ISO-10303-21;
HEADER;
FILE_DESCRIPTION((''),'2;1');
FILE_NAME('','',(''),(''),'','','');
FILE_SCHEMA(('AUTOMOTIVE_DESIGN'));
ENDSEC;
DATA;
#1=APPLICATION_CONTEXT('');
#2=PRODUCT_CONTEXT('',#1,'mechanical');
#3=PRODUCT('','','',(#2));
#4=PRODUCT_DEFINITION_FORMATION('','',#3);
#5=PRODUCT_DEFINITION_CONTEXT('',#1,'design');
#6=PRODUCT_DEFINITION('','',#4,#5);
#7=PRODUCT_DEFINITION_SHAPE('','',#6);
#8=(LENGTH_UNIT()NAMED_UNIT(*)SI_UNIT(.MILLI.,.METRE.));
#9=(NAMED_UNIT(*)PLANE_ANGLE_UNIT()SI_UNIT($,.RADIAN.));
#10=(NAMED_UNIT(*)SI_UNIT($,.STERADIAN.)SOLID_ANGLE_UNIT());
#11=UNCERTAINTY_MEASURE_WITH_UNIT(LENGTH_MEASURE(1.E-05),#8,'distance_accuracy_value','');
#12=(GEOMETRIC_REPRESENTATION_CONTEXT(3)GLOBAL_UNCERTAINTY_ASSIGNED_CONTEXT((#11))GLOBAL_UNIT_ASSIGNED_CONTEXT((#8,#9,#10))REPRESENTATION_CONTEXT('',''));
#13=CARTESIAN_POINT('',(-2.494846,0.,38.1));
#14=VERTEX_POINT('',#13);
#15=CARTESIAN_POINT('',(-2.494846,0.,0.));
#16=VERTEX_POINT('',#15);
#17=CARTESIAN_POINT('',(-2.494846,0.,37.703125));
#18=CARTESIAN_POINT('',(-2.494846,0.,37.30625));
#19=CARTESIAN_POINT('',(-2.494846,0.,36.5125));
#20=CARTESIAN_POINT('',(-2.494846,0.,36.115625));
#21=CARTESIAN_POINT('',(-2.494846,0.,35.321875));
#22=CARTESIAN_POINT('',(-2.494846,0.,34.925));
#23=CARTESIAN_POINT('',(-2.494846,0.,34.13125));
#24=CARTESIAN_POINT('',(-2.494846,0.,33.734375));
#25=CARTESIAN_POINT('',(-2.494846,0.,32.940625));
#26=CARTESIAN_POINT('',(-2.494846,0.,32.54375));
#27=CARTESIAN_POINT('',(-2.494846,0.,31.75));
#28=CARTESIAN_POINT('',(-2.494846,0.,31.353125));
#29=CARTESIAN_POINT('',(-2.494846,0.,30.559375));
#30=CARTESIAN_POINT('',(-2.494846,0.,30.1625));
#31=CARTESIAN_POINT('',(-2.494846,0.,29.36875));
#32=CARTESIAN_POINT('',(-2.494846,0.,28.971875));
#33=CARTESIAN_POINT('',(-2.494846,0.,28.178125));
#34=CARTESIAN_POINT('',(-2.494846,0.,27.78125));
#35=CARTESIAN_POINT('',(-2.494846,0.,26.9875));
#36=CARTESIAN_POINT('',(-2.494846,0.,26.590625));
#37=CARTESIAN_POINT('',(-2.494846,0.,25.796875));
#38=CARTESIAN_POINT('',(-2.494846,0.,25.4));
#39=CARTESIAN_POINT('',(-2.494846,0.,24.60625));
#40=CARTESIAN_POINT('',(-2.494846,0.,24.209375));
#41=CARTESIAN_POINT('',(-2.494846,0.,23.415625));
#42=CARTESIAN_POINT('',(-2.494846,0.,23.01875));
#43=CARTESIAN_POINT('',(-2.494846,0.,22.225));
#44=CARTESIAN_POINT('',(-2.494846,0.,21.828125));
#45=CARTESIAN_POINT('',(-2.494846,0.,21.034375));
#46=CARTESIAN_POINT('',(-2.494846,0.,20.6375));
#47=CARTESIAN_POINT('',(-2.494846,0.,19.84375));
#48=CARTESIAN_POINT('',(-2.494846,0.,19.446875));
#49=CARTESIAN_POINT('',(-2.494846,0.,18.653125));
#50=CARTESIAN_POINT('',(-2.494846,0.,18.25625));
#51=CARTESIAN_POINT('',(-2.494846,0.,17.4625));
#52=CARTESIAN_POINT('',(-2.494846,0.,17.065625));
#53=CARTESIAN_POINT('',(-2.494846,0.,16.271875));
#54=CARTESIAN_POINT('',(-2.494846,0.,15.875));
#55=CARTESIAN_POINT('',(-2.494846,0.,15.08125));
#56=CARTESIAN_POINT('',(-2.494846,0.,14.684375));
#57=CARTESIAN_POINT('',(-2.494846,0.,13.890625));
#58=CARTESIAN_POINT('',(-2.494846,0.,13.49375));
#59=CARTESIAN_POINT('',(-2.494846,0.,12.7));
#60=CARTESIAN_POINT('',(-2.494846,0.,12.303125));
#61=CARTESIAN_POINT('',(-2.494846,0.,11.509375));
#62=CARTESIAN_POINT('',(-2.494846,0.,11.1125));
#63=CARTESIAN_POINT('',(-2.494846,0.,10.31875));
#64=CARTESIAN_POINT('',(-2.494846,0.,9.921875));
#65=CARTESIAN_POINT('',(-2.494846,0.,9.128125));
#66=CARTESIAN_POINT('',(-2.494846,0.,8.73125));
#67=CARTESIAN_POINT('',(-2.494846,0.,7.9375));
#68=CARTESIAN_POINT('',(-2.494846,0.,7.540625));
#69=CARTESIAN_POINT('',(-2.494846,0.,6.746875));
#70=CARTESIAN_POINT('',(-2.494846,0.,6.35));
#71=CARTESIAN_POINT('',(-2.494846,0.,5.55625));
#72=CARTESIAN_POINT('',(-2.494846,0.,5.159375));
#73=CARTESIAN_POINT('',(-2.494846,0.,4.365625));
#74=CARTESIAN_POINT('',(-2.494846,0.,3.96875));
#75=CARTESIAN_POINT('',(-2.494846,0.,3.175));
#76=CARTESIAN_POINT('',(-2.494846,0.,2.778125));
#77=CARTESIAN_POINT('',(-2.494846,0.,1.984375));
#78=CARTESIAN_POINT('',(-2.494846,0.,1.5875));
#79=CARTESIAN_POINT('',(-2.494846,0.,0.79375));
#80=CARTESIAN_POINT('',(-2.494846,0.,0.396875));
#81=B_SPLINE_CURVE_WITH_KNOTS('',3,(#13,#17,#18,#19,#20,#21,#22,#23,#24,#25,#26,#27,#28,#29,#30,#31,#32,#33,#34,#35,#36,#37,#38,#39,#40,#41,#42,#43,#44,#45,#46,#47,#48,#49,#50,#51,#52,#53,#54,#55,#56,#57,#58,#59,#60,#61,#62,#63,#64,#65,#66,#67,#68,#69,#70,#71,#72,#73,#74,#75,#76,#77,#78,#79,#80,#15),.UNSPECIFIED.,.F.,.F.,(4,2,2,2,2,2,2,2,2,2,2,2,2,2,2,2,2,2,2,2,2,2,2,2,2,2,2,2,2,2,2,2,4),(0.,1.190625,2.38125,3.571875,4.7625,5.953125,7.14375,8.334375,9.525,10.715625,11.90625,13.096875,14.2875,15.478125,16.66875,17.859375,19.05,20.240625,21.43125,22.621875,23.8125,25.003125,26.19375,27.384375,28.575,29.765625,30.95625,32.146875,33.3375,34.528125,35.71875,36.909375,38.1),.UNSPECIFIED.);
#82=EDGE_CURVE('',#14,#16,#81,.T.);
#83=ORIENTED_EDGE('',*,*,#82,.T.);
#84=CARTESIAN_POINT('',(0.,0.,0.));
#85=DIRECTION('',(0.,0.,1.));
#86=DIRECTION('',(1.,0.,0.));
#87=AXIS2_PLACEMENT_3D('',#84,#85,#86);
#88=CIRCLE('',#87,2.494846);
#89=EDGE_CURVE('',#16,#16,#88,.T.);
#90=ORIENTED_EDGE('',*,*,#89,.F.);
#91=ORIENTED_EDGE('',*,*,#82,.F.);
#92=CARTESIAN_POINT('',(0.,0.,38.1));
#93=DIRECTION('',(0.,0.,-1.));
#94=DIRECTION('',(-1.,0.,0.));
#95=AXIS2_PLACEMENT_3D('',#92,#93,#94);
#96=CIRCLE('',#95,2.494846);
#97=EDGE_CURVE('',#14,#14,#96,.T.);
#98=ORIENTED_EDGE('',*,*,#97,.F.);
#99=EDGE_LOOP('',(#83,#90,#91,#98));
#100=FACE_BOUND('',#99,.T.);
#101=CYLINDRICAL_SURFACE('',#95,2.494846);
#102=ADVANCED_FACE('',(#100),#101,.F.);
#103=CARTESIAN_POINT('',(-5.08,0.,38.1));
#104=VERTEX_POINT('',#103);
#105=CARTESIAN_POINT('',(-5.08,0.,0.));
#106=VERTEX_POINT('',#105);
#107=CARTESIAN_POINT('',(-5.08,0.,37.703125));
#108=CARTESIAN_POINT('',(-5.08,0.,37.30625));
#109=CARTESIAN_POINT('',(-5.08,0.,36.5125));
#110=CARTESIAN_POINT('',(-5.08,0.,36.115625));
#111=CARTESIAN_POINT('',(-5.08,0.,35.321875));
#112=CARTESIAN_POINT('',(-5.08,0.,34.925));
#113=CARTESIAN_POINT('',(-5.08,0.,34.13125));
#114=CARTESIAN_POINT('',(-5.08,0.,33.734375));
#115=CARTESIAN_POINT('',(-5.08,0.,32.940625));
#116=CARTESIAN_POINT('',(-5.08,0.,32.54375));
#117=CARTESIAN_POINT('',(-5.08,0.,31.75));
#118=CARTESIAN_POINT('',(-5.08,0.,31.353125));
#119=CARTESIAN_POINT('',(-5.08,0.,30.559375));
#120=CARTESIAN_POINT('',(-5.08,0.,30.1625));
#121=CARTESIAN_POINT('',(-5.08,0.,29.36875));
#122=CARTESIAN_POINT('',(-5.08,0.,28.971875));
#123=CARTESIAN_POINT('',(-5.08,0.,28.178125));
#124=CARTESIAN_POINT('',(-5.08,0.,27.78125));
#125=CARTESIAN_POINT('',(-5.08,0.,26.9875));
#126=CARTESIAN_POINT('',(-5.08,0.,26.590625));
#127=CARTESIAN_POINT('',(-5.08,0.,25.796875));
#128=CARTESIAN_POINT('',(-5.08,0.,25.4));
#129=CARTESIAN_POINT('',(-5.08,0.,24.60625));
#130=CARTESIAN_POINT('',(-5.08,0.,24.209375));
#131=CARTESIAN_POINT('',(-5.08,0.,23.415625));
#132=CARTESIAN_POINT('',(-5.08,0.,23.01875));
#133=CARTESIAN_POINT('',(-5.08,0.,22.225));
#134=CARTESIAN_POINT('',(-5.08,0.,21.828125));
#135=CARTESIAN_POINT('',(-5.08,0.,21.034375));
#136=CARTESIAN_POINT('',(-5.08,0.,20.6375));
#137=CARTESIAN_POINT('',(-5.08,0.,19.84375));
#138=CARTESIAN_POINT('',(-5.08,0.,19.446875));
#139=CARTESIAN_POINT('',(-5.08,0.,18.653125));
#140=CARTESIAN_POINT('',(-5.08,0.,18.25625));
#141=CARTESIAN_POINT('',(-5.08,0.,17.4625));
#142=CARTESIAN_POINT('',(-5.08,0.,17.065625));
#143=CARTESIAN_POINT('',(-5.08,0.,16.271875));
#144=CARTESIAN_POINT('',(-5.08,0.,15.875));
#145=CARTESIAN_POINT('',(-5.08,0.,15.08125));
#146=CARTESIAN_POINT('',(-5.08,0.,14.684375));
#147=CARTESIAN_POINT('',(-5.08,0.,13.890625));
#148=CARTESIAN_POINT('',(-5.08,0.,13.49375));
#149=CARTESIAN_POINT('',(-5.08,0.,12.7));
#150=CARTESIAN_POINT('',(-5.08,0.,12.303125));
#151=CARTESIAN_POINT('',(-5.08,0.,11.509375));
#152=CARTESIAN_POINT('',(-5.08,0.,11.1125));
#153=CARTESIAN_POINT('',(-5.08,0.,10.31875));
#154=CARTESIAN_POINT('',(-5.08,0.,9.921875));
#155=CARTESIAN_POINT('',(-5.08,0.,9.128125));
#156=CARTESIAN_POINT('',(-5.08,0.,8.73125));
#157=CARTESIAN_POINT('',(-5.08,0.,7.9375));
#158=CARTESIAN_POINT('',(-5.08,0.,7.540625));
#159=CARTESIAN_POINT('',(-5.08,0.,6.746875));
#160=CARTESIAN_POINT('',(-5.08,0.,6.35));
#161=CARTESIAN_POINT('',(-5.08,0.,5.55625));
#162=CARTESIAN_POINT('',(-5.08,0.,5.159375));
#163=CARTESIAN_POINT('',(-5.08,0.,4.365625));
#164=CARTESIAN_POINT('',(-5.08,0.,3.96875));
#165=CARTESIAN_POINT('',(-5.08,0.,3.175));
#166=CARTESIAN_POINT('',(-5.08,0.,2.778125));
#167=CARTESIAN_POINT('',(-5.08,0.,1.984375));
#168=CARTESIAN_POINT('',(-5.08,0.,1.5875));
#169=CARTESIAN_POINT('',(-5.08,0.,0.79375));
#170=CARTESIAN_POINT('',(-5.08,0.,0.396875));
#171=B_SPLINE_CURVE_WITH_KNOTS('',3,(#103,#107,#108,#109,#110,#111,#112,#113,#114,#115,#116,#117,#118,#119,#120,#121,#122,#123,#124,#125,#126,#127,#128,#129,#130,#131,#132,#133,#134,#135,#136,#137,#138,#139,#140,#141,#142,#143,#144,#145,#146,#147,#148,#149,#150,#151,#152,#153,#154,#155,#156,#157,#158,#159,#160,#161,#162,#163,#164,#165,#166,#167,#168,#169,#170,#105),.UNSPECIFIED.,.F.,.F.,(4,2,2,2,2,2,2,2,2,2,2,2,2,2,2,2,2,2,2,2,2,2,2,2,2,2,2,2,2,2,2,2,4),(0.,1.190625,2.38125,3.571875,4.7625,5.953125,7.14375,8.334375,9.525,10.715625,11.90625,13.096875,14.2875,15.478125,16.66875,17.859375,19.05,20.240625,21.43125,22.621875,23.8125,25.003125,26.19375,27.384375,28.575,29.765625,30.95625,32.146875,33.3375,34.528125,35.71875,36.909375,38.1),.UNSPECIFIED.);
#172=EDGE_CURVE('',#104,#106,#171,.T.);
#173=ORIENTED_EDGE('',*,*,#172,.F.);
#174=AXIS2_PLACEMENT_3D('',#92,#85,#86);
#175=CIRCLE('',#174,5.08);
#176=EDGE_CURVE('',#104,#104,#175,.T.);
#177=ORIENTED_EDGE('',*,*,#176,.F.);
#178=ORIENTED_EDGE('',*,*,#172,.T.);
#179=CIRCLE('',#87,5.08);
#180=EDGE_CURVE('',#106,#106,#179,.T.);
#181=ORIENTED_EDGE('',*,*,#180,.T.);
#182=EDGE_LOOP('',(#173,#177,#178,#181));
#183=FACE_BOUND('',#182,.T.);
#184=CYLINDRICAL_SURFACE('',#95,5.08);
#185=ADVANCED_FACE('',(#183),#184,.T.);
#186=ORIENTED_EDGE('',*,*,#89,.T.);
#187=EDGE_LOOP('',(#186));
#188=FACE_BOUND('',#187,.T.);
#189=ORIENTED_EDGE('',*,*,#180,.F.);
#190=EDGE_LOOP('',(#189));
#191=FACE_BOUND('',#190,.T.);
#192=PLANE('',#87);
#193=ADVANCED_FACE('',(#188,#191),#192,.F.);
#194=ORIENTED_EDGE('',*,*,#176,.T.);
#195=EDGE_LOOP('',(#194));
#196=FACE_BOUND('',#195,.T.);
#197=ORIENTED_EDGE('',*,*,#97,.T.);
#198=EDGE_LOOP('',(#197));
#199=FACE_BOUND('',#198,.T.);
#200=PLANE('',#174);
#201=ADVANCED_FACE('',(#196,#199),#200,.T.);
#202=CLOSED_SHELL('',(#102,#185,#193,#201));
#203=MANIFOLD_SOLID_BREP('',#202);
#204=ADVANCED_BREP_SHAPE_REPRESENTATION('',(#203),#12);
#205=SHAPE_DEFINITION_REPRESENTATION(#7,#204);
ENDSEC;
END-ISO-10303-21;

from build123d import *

# Parameters (mm, degrees)
SKETCH2_R               = 5.08
BOSS_EXTRUDE1_DEPTH     = 38.1
CUT_EXTRUDE1_DEPTH      = 39.771417307
CUT_EXTRUDE1_DEPTH_BACK = 39.771417307
SKETCH3_R               = 2.494846457


with BuildPart() as part:
    # Sketch2 → Boss-Extrude1 (new body)
    with BuildSketch(Plane.XY):
        with Locations(Location((0, 0, 0), (0, 0, 180))):
            Circle(SKETCH2_R)
    extrude(amount=BOSS_EXTRUDE1_DEPTH)

    # Sketch3 → Cut-Extrude1 (cut, two sides: drawn at the far end of the back side and taken through both)
    with BuildSketch(Plane(origin=(0, 0, 0), x_dir=(-1, 0, 0), z_dir=(0, 0, -1)).offset(-CUT_EXTRUDE1_DEPTH_BACK)):
        Circle(SKETCH3_R)
    extrude(amount=CUT_EXTRUDE1_DEPTH + CUT_EXTRUDE1_DEPTH_BACK, mode=Mode.SUBTRACT)


solid = part.part
